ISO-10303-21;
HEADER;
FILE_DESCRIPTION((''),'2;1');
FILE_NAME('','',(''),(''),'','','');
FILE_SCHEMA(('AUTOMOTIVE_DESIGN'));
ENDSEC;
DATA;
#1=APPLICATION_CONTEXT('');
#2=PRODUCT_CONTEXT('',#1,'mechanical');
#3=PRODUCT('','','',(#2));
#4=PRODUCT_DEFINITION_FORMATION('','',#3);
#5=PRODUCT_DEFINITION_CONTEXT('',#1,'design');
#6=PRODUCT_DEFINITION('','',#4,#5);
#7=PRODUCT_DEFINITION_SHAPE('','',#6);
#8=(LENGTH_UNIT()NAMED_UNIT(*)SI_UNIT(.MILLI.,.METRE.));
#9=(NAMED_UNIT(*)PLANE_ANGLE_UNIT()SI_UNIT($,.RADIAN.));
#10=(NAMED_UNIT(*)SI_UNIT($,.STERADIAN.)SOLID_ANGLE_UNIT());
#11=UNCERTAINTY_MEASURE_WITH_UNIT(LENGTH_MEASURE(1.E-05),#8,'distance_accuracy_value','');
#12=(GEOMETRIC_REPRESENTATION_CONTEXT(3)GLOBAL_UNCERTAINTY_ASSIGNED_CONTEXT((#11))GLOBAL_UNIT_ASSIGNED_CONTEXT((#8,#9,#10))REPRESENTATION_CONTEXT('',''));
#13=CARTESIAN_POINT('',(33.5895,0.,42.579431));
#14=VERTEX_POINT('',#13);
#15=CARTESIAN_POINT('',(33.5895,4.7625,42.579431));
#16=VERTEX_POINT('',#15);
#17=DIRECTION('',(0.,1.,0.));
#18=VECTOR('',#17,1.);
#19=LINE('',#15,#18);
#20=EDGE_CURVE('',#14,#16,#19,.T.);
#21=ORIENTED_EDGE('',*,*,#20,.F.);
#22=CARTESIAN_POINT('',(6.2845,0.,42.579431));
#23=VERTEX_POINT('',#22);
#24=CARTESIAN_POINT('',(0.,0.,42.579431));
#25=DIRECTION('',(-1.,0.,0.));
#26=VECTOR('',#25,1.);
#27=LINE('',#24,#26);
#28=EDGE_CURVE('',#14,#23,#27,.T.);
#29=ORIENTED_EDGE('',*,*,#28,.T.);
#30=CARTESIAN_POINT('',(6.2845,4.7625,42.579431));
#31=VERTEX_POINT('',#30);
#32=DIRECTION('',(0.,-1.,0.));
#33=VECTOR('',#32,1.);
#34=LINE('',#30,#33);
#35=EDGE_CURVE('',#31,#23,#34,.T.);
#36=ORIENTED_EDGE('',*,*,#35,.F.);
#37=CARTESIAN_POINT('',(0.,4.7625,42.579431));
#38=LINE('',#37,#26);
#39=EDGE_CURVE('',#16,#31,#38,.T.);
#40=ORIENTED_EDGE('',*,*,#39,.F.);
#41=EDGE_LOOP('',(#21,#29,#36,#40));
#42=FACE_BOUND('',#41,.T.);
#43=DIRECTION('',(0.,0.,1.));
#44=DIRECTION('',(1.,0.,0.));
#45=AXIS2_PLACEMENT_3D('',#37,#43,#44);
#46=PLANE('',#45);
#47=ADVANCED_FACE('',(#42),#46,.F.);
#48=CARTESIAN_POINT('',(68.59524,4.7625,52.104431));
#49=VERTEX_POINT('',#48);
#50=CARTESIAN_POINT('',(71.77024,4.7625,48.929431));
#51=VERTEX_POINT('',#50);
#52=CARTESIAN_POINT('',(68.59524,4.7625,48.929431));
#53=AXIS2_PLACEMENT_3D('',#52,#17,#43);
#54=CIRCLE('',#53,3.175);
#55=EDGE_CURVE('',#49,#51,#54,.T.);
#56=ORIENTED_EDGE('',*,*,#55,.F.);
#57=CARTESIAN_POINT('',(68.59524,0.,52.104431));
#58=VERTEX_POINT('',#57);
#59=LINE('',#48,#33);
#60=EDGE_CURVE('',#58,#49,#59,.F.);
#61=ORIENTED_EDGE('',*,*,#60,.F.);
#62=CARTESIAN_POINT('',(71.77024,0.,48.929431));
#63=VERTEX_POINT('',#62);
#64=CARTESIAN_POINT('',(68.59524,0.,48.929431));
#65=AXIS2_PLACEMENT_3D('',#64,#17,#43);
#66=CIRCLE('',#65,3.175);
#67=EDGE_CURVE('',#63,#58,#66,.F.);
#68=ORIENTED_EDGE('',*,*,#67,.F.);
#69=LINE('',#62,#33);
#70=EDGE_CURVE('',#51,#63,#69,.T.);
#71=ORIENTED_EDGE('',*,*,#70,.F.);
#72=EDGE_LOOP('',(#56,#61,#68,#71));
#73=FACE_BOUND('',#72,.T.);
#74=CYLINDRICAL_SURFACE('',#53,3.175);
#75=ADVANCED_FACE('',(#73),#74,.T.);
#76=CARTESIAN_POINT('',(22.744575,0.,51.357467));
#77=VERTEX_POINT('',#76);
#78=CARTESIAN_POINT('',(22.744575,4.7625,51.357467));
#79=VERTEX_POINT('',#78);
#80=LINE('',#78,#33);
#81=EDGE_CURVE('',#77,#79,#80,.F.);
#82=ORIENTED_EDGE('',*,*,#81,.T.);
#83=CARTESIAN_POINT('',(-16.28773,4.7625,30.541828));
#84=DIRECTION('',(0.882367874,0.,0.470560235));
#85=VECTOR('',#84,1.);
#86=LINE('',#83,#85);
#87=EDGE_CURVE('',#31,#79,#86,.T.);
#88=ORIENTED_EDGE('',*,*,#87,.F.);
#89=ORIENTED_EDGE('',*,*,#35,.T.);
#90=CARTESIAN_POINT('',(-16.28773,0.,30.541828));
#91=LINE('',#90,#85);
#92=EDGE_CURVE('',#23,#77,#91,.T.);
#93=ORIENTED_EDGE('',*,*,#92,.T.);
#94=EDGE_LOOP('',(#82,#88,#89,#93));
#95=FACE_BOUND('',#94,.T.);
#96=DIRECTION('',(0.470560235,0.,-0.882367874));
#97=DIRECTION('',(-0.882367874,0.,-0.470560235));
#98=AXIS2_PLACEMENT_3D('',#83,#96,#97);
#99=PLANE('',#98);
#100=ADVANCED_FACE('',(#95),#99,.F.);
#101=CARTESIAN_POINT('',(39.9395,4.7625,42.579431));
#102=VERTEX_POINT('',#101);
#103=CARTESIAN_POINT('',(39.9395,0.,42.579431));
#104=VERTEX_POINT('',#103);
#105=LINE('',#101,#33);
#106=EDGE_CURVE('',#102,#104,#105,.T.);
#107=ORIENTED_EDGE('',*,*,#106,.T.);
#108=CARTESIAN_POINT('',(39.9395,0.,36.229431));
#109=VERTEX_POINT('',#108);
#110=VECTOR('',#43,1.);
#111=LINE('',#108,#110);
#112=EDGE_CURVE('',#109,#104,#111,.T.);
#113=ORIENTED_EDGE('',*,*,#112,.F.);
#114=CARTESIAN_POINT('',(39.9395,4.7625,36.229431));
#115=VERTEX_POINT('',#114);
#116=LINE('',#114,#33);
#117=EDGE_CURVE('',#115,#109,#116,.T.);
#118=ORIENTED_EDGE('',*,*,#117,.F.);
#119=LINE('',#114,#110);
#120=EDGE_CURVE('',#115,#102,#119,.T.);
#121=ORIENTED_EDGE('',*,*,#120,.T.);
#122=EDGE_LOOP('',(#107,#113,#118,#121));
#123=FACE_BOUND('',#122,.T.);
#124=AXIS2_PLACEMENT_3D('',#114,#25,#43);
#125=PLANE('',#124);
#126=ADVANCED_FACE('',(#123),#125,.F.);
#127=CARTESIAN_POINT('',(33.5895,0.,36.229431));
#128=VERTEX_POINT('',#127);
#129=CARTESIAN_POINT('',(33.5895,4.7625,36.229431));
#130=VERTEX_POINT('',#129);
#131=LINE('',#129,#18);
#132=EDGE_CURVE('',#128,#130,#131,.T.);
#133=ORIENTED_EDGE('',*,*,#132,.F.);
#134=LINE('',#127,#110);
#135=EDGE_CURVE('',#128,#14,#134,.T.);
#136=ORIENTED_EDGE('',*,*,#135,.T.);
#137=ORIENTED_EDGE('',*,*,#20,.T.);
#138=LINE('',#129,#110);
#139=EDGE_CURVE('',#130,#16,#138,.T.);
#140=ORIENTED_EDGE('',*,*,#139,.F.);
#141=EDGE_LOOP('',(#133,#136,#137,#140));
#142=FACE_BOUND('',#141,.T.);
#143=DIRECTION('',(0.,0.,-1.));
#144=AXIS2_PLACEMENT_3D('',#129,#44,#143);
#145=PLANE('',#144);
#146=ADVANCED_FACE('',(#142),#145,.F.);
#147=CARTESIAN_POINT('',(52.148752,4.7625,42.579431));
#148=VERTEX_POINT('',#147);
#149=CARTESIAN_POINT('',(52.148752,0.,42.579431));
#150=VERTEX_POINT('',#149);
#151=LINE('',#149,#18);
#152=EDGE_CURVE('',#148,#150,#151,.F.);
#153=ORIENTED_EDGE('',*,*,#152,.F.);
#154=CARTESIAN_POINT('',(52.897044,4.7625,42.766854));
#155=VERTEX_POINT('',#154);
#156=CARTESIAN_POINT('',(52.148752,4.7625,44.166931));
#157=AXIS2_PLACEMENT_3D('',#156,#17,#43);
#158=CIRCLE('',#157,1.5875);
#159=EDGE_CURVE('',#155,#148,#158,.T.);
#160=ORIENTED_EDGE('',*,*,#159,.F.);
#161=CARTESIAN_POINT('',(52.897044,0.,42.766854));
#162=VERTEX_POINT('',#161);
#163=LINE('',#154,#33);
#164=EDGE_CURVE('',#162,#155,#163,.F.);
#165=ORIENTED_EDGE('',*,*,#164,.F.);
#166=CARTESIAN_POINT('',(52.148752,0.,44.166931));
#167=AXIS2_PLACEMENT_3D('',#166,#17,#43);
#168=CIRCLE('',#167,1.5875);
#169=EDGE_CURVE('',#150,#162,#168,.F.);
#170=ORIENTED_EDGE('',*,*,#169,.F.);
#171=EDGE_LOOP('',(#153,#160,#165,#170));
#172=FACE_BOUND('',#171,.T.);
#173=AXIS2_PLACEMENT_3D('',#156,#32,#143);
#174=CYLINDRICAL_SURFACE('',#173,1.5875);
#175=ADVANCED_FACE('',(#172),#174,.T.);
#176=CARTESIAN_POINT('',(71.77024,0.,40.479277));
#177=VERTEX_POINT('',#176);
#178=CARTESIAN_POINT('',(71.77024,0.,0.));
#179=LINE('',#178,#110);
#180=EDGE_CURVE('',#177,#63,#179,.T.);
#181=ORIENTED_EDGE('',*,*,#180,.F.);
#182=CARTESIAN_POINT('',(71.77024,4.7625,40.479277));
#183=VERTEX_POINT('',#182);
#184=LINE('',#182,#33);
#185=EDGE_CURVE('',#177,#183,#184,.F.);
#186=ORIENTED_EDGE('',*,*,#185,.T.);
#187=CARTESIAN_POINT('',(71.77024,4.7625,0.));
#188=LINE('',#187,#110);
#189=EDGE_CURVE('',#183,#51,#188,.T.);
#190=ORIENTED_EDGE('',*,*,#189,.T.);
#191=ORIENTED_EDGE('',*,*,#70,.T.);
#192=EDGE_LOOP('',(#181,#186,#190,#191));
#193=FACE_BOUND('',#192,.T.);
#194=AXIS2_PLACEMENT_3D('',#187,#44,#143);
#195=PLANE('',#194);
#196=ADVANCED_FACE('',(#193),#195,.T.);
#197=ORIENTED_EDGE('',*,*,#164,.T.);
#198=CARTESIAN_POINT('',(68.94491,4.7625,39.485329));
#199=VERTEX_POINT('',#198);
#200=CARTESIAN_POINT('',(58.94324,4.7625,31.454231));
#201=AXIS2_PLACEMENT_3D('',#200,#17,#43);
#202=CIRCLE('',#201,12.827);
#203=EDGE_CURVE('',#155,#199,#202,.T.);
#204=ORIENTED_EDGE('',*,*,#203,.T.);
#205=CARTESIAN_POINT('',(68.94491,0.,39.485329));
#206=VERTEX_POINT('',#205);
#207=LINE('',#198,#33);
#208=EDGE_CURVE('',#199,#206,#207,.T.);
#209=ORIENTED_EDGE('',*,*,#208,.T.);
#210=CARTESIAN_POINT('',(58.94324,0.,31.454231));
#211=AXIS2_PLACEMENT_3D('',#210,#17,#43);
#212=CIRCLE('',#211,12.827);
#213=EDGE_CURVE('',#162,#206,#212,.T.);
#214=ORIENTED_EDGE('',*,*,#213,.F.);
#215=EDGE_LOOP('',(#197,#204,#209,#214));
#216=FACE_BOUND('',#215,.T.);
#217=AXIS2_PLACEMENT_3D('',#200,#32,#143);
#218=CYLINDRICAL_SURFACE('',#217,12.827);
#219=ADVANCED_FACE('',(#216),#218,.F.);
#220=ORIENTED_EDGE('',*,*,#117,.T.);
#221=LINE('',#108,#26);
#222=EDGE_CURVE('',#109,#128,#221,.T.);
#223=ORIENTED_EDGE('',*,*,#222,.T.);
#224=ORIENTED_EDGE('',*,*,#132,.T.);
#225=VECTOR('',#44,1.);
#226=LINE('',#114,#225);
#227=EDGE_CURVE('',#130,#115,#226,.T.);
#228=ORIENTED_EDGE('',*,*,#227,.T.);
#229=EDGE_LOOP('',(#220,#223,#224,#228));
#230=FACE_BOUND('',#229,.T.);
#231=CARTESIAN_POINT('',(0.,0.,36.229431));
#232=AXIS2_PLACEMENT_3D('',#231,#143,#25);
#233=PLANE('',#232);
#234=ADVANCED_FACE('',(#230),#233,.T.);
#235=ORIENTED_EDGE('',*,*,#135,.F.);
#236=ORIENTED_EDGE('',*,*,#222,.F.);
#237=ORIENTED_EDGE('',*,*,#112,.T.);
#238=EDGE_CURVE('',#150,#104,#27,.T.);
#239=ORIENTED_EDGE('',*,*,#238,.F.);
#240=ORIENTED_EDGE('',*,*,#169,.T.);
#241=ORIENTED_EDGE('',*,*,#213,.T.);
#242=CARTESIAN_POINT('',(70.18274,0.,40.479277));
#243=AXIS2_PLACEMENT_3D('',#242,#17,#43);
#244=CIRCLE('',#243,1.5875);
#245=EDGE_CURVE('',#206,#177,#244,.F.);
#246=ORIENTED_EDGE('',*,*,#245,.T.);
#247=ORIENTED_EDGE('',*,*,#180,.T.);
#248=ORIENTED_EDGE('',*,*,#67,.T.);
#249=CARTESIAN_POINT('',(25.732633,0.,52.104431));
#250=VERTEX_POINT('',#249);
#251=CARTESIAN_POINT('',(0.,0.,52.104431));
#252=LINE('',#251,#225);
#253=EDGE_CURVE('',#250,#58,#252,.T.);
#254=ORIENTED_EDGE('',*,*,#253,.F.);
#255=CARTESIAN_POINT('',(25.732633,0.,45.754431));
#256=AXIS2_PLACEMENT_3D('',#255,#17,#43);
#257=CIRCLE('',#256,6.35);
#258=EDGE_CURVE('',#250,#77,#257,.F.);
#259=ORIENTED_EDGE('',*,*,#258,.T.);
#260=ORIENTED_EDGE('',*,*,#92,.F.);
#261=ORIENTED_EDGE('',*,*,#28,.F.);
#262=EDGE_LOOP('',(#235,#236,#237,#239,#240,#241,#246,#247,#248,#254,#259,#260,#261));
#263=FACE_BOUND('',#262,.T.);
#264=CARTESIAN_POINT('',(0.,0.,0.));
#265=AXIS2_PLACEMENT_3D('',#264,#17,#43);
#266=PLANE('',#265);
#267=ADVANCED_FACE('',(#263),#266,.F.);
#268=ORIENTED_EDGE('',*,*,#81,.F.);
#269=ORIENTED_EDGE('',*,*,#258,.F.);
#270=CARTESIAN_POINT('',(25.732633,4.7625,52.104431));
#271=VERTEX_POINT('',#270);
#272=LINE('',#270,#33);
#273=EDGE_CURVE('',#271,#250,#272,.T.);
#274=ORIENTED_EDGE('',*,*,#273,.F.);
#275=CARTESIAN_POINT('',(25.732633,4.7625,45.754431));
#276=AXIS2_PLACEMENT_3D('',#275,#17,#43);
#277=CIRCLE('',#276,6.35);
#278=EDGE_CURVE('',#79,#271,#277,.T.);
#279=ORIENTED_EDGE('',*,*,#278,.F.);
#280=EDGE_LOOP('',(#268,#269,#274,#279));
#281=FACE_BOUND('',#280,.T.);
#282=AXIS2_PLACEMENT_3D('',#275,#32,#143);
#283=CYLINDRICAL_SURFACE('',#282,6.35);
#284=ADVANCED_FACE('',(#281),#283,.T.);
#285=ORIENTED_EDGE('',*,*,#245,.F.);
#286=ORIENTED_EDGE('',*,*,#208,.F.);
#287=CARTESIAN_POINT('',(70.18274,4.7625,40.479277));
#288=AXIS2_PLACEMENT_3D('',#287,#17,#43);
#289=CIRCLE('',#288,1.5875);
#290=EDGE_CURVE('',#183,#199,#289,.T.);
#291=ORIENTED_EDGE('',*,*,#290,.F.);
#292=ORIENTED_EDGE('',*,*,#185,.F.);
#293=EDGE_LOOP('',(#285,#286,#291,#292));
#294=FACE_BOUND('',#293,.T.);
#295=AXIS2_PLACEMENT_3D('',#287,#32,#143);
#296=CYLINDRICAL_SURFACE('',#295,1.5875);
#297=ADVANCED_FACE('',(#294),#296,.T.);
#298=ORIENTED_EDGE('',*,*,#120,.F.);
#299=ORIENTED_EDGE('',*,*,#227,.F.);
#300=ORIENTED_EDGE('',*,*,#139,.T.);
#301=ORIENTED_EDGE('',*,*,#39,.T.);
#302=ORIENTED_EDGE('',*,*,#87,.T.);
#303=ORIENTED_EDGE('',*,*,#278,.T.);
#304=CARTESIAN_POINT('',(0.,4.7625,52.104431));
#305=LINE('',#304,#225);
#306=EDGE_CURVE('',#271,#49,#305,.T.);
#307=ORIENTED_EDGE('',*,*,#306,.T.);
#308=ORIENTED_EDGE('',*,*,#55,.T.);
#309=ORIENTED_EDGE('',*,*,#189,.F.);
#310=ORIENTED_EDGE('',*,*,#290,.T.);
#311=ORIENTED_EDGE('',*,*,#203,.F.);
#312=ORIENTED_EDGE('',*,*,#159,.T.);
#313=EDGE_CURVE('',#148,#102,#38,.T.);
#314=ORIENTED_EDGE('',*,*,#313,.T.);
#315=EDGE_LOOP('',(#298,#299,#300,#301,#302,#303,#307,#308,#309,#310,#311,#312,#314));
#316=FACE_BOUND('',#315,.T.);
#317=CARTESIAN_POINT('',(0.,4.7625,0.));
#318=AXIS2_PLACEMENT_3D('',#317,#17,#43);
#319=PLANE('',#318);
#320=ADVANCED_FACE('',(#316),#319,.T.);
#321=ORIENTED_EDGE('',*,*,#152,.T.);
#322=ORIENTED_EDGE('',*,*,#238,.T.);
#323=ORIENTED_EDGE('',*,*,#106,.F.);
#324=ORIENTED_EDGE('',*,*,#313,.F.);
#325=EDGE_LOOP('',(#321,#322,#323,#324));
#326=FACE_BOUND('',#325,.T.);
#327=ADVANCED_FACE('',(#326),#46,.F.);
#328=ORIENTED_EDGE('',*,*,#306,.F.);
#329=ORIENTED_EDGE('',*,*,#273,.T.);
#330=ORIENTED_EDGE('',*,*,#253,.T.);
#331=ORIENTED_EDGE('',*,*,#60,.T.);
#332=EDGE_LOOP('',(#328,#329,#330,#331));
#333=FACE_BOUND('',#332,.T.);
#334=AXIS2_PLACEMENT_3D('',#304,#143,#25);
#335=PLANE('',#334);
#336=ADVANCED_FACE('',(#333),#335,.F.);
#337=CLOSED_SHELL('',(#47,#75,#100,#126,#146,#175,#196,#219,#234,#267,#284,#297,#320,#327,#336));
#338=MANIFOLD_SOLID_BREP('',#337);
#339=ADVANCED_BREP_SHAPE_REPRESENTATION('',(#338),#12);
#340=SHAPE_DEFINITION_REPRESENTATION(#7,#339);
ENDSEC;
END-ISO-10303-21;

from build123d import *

# Parameters (mm, degrees)
BOSS_EXTRUDE1_DEPTH = 4.7625
FILLET1_R           = 1.5875
FILLET2_R           = 6.35
FILLET3_R           = 3.175
SKETCH2_W           = 6.35
SKETCH2_H           = 4.7625
BOSS_EXTRUDE2_DEPTH = 6.35


with BuildPart() as part:
    # Sketch1 → Boss-Extrude1 (new body)
    with BuildSketch(Plane(origin=(0, 0, 0), x_dir=(1, 0, 0), z_dir=(0, 1, 0))):
        with BuildLine():
            ThreePointArc((71.770239996, -31.454230992), (65.371223106, -42.55436442), (52.558738922, -42.579430992))
            Line((52.558738922, -42.579430992), (6.2845, -42.579430992))
            Line((6.2845, -42.579430992), (24.145239996, -52.104430992))
            Line((24.145239996, -52.104430992), (71.770239996, -52.104430992))
            Line((71.770239996, -52.104430992), (71.770239996, -31.454230992))
        make_face()
    extrude(amount=BOSS_EXTRUDE1_DEPTH)

    # Fillet1
    fillet1_edges = [part.edges().sort_by_distance(p)[0] for p in [
        (71.770239996, 2.38125, 31.454230992),
        (52.558738922, 2.38125, 42.579430992),
    ]]
    fillet(fillet1_edges, radius=FILLET1_R)

    # Fillet2
    fillet2_edges = [part.edges().sort_by_distance(p)[0] for p in [
        (24.145239996, 2.38125, 52.104430992),
    ]]
    fillet(fillet2_edges, radius=FILLET2_R)

    # Fillet3
    fillet3_edges = [part.edges().sort_by_distance(p)[0] for p in [
        (71.770239996, 2.38125, 52.104430992),
    ]]
    fillet(fillet3_edges, radius=FILLET3_R)

    # Sketch2 → Boss-Extrude2 (add)
    with BuildSketch(Plane(origin=(0, 0, 42.579430992), x_dir=(-1, 0, 0), z_dir=(0, 0, -1))):
        with Locations((-36.7645, 2.38125)):
            Rectangle(SKETCH2_W, SKETCH2_H)
    extrude(amount=BOSS_EXTRUDE2_DEPTH)


solid = part.part
